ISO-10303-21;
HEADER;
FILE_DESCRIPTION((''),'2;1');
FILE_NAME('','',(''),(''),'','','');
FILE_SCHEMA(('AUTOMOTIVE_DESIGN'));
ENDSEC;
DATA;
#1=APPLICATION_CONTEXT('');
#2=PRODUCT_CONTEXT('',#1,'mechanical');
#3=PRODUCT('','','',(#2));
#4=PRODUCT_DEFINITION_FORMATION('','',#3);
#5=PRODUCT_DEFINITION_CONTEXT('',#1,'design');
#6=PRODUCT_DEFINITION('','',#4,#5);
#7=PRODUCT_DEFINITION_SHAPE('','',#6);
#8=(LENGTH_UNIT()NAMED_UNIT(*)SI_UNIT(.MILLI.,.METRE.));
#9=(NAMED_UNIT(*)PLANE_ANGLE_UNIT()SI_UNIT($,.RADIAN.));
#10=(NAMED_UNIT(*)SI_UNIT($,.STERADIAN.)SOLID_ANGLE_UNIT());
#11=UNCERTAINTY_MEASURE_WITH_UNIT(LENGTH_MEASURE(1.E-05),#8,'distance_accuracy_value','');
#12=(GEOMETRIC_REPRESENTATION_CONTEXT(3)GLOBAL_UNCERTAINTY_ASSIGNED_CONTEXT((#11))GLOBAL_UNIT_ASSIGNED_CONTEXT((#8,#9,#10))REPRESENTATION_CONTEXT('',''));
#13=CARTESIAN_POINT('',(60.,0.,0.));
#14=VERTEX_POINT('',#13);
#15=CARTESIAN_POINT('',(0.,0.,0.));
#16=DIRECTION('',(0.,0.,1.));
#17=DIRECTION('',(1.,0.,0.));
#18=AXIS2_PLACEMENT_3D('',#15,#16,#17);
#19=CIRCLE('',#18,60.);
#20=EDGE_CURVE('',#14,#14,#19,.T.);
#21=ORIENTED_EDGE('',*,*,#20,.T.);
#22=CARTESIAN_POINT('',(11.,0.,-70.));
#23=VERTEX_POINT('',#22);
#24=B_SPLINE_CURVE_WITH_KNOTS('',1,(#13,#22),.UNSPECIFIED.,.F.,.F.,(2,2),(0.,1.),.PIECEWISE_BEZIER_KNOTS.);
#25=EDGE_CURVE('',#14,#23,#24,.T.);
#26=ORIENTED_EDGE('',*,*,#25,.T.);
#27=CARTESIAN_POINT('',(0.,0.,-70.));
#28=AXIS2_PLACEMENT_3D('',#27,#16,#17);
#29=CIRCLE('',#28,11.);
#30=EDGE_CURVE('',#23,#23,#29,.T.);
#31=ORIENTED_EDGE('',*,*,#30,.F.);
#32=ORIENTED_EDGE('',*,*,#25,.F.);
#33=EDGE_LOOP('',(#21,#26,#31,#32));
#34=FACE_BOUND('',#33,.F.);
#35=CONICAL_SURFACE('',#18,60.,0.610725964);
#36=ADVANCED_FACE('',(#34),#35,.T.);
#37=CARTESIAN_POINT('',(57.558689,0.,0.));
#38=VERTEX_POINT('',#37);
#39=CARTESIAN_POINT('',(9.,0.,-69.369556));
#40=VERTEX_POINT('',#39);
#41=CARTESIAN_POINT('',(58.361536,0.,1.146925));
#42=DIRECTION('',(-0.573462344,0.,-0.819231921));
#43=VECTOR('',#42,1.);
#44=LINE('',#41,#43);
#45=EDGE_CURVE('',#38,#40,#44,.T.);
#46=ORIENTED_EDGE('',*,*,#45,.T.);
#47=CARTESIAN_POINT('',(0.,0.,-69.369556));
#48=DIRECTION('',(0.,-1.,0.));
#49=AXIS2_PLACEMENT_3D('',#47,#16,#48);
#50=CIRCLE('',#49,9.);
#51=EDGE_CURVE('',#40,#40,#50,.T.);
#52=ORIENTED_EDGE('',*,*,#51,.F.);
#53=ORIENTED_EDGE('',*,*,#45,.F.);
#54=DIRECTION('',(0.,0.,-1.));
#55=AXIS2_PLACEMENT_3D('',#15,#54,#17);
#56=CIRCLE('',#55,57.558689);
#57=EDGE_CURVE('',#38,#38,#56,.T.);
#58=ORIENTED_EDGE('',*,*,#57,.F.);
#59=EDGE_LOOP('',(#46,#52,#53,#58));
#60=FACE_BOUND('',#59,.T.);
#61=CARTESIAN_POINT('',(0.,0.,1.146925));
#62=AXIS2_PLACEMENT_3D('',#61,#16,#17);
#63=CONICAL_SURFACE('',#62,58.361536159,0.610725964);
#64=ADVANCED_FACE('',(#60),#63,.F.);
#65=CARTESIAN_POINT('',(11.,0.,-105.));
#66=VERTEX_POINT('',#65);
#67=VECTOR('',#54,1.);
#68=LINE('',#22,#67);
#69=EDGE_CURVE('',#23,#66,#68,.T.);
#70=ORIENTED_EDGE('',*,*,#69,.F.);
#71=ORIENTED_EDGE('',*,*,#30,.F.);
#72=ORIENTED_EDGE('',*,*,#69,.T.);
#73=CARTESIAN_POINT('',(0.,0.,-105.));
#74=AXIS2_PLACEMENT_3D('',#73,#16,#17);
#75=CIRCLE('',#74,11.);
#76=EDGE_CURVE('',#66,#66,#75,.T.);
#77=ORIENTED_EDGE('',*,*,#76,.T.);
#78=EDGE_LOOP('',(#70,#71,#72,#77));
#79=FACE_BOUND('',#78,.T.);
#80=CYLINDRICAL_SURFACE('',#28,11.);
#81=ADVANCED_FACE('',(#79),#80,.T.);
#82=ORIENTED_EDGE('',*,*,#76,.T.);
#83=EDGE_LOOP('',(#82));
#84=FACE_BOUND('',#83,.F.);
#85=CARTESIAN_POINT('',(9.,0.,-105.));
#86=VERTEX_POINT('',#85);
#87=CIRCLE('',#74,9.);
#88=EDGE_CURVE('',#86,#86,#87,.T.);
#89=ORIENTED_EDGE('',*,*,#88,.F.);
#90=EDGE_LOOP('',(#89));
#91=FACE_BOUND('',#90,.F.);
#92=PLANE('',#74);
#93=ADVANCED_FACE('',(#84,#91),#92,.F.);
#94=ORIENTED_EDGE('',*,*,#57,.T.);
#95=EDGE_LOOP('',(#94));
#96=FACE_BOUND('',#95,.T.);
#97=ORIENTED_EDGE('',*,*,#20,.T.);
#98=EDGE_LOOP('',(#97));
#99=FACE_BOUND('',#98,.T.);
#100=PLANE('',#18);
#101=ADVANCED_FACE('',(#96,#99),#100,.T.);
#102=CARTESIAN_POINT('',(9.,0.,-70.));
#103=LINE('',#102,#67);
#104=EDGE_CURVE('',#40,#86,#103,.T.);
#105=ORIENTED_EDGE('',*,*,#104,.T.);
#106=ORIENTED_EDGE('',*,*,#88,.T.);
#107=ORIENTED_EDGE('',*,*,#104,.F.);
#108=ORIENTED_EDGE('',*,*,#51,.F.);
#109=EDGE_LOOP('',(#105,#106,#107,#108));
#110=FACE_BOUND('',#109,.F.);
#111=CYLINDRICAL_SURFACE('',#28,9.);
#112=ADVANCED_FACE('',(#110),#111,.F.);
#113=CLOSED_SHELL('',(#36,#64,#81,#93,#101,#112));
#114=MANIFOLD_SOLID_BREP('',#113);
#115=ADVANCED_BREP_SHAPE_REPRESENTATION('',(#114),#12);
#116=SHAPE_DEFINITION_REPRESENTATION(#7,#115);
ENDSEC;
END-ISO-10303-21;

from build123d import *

# Parameters (mm, degrees)
F0_R     = 60
F2_R     = 11
F4_DEPTH = 35
F5_T     = -2


with BuildPart() as f3:
    # F0 (on Top) → F3 section 0
    with BuildSketch(Plane.XY):
        Circle(F0_R)
    # F2 (on offset) → F3 section 1
    with BuildSketch(Plane.XY.offset(-70)):
        Circle(F2_R)
    loft()

    # F4 (add): a face of the model
    f4_faces = [f3.faces().sort_by_distance(p)[0] for p in [
        (0, 0, -70),
    ]]
    extrude(f4_faces, amount=F4_DEPTH)

    # F5
    f5_openings = [f3.faces().sort_by_distance(p)[0] for p in [
        (0, 0, 0),
        (0, 0, -105),
    ]]
    offset(amount=F5_T, openings=f5_openings, kind=Kind.INTERSECTION)


solid = f3.part
